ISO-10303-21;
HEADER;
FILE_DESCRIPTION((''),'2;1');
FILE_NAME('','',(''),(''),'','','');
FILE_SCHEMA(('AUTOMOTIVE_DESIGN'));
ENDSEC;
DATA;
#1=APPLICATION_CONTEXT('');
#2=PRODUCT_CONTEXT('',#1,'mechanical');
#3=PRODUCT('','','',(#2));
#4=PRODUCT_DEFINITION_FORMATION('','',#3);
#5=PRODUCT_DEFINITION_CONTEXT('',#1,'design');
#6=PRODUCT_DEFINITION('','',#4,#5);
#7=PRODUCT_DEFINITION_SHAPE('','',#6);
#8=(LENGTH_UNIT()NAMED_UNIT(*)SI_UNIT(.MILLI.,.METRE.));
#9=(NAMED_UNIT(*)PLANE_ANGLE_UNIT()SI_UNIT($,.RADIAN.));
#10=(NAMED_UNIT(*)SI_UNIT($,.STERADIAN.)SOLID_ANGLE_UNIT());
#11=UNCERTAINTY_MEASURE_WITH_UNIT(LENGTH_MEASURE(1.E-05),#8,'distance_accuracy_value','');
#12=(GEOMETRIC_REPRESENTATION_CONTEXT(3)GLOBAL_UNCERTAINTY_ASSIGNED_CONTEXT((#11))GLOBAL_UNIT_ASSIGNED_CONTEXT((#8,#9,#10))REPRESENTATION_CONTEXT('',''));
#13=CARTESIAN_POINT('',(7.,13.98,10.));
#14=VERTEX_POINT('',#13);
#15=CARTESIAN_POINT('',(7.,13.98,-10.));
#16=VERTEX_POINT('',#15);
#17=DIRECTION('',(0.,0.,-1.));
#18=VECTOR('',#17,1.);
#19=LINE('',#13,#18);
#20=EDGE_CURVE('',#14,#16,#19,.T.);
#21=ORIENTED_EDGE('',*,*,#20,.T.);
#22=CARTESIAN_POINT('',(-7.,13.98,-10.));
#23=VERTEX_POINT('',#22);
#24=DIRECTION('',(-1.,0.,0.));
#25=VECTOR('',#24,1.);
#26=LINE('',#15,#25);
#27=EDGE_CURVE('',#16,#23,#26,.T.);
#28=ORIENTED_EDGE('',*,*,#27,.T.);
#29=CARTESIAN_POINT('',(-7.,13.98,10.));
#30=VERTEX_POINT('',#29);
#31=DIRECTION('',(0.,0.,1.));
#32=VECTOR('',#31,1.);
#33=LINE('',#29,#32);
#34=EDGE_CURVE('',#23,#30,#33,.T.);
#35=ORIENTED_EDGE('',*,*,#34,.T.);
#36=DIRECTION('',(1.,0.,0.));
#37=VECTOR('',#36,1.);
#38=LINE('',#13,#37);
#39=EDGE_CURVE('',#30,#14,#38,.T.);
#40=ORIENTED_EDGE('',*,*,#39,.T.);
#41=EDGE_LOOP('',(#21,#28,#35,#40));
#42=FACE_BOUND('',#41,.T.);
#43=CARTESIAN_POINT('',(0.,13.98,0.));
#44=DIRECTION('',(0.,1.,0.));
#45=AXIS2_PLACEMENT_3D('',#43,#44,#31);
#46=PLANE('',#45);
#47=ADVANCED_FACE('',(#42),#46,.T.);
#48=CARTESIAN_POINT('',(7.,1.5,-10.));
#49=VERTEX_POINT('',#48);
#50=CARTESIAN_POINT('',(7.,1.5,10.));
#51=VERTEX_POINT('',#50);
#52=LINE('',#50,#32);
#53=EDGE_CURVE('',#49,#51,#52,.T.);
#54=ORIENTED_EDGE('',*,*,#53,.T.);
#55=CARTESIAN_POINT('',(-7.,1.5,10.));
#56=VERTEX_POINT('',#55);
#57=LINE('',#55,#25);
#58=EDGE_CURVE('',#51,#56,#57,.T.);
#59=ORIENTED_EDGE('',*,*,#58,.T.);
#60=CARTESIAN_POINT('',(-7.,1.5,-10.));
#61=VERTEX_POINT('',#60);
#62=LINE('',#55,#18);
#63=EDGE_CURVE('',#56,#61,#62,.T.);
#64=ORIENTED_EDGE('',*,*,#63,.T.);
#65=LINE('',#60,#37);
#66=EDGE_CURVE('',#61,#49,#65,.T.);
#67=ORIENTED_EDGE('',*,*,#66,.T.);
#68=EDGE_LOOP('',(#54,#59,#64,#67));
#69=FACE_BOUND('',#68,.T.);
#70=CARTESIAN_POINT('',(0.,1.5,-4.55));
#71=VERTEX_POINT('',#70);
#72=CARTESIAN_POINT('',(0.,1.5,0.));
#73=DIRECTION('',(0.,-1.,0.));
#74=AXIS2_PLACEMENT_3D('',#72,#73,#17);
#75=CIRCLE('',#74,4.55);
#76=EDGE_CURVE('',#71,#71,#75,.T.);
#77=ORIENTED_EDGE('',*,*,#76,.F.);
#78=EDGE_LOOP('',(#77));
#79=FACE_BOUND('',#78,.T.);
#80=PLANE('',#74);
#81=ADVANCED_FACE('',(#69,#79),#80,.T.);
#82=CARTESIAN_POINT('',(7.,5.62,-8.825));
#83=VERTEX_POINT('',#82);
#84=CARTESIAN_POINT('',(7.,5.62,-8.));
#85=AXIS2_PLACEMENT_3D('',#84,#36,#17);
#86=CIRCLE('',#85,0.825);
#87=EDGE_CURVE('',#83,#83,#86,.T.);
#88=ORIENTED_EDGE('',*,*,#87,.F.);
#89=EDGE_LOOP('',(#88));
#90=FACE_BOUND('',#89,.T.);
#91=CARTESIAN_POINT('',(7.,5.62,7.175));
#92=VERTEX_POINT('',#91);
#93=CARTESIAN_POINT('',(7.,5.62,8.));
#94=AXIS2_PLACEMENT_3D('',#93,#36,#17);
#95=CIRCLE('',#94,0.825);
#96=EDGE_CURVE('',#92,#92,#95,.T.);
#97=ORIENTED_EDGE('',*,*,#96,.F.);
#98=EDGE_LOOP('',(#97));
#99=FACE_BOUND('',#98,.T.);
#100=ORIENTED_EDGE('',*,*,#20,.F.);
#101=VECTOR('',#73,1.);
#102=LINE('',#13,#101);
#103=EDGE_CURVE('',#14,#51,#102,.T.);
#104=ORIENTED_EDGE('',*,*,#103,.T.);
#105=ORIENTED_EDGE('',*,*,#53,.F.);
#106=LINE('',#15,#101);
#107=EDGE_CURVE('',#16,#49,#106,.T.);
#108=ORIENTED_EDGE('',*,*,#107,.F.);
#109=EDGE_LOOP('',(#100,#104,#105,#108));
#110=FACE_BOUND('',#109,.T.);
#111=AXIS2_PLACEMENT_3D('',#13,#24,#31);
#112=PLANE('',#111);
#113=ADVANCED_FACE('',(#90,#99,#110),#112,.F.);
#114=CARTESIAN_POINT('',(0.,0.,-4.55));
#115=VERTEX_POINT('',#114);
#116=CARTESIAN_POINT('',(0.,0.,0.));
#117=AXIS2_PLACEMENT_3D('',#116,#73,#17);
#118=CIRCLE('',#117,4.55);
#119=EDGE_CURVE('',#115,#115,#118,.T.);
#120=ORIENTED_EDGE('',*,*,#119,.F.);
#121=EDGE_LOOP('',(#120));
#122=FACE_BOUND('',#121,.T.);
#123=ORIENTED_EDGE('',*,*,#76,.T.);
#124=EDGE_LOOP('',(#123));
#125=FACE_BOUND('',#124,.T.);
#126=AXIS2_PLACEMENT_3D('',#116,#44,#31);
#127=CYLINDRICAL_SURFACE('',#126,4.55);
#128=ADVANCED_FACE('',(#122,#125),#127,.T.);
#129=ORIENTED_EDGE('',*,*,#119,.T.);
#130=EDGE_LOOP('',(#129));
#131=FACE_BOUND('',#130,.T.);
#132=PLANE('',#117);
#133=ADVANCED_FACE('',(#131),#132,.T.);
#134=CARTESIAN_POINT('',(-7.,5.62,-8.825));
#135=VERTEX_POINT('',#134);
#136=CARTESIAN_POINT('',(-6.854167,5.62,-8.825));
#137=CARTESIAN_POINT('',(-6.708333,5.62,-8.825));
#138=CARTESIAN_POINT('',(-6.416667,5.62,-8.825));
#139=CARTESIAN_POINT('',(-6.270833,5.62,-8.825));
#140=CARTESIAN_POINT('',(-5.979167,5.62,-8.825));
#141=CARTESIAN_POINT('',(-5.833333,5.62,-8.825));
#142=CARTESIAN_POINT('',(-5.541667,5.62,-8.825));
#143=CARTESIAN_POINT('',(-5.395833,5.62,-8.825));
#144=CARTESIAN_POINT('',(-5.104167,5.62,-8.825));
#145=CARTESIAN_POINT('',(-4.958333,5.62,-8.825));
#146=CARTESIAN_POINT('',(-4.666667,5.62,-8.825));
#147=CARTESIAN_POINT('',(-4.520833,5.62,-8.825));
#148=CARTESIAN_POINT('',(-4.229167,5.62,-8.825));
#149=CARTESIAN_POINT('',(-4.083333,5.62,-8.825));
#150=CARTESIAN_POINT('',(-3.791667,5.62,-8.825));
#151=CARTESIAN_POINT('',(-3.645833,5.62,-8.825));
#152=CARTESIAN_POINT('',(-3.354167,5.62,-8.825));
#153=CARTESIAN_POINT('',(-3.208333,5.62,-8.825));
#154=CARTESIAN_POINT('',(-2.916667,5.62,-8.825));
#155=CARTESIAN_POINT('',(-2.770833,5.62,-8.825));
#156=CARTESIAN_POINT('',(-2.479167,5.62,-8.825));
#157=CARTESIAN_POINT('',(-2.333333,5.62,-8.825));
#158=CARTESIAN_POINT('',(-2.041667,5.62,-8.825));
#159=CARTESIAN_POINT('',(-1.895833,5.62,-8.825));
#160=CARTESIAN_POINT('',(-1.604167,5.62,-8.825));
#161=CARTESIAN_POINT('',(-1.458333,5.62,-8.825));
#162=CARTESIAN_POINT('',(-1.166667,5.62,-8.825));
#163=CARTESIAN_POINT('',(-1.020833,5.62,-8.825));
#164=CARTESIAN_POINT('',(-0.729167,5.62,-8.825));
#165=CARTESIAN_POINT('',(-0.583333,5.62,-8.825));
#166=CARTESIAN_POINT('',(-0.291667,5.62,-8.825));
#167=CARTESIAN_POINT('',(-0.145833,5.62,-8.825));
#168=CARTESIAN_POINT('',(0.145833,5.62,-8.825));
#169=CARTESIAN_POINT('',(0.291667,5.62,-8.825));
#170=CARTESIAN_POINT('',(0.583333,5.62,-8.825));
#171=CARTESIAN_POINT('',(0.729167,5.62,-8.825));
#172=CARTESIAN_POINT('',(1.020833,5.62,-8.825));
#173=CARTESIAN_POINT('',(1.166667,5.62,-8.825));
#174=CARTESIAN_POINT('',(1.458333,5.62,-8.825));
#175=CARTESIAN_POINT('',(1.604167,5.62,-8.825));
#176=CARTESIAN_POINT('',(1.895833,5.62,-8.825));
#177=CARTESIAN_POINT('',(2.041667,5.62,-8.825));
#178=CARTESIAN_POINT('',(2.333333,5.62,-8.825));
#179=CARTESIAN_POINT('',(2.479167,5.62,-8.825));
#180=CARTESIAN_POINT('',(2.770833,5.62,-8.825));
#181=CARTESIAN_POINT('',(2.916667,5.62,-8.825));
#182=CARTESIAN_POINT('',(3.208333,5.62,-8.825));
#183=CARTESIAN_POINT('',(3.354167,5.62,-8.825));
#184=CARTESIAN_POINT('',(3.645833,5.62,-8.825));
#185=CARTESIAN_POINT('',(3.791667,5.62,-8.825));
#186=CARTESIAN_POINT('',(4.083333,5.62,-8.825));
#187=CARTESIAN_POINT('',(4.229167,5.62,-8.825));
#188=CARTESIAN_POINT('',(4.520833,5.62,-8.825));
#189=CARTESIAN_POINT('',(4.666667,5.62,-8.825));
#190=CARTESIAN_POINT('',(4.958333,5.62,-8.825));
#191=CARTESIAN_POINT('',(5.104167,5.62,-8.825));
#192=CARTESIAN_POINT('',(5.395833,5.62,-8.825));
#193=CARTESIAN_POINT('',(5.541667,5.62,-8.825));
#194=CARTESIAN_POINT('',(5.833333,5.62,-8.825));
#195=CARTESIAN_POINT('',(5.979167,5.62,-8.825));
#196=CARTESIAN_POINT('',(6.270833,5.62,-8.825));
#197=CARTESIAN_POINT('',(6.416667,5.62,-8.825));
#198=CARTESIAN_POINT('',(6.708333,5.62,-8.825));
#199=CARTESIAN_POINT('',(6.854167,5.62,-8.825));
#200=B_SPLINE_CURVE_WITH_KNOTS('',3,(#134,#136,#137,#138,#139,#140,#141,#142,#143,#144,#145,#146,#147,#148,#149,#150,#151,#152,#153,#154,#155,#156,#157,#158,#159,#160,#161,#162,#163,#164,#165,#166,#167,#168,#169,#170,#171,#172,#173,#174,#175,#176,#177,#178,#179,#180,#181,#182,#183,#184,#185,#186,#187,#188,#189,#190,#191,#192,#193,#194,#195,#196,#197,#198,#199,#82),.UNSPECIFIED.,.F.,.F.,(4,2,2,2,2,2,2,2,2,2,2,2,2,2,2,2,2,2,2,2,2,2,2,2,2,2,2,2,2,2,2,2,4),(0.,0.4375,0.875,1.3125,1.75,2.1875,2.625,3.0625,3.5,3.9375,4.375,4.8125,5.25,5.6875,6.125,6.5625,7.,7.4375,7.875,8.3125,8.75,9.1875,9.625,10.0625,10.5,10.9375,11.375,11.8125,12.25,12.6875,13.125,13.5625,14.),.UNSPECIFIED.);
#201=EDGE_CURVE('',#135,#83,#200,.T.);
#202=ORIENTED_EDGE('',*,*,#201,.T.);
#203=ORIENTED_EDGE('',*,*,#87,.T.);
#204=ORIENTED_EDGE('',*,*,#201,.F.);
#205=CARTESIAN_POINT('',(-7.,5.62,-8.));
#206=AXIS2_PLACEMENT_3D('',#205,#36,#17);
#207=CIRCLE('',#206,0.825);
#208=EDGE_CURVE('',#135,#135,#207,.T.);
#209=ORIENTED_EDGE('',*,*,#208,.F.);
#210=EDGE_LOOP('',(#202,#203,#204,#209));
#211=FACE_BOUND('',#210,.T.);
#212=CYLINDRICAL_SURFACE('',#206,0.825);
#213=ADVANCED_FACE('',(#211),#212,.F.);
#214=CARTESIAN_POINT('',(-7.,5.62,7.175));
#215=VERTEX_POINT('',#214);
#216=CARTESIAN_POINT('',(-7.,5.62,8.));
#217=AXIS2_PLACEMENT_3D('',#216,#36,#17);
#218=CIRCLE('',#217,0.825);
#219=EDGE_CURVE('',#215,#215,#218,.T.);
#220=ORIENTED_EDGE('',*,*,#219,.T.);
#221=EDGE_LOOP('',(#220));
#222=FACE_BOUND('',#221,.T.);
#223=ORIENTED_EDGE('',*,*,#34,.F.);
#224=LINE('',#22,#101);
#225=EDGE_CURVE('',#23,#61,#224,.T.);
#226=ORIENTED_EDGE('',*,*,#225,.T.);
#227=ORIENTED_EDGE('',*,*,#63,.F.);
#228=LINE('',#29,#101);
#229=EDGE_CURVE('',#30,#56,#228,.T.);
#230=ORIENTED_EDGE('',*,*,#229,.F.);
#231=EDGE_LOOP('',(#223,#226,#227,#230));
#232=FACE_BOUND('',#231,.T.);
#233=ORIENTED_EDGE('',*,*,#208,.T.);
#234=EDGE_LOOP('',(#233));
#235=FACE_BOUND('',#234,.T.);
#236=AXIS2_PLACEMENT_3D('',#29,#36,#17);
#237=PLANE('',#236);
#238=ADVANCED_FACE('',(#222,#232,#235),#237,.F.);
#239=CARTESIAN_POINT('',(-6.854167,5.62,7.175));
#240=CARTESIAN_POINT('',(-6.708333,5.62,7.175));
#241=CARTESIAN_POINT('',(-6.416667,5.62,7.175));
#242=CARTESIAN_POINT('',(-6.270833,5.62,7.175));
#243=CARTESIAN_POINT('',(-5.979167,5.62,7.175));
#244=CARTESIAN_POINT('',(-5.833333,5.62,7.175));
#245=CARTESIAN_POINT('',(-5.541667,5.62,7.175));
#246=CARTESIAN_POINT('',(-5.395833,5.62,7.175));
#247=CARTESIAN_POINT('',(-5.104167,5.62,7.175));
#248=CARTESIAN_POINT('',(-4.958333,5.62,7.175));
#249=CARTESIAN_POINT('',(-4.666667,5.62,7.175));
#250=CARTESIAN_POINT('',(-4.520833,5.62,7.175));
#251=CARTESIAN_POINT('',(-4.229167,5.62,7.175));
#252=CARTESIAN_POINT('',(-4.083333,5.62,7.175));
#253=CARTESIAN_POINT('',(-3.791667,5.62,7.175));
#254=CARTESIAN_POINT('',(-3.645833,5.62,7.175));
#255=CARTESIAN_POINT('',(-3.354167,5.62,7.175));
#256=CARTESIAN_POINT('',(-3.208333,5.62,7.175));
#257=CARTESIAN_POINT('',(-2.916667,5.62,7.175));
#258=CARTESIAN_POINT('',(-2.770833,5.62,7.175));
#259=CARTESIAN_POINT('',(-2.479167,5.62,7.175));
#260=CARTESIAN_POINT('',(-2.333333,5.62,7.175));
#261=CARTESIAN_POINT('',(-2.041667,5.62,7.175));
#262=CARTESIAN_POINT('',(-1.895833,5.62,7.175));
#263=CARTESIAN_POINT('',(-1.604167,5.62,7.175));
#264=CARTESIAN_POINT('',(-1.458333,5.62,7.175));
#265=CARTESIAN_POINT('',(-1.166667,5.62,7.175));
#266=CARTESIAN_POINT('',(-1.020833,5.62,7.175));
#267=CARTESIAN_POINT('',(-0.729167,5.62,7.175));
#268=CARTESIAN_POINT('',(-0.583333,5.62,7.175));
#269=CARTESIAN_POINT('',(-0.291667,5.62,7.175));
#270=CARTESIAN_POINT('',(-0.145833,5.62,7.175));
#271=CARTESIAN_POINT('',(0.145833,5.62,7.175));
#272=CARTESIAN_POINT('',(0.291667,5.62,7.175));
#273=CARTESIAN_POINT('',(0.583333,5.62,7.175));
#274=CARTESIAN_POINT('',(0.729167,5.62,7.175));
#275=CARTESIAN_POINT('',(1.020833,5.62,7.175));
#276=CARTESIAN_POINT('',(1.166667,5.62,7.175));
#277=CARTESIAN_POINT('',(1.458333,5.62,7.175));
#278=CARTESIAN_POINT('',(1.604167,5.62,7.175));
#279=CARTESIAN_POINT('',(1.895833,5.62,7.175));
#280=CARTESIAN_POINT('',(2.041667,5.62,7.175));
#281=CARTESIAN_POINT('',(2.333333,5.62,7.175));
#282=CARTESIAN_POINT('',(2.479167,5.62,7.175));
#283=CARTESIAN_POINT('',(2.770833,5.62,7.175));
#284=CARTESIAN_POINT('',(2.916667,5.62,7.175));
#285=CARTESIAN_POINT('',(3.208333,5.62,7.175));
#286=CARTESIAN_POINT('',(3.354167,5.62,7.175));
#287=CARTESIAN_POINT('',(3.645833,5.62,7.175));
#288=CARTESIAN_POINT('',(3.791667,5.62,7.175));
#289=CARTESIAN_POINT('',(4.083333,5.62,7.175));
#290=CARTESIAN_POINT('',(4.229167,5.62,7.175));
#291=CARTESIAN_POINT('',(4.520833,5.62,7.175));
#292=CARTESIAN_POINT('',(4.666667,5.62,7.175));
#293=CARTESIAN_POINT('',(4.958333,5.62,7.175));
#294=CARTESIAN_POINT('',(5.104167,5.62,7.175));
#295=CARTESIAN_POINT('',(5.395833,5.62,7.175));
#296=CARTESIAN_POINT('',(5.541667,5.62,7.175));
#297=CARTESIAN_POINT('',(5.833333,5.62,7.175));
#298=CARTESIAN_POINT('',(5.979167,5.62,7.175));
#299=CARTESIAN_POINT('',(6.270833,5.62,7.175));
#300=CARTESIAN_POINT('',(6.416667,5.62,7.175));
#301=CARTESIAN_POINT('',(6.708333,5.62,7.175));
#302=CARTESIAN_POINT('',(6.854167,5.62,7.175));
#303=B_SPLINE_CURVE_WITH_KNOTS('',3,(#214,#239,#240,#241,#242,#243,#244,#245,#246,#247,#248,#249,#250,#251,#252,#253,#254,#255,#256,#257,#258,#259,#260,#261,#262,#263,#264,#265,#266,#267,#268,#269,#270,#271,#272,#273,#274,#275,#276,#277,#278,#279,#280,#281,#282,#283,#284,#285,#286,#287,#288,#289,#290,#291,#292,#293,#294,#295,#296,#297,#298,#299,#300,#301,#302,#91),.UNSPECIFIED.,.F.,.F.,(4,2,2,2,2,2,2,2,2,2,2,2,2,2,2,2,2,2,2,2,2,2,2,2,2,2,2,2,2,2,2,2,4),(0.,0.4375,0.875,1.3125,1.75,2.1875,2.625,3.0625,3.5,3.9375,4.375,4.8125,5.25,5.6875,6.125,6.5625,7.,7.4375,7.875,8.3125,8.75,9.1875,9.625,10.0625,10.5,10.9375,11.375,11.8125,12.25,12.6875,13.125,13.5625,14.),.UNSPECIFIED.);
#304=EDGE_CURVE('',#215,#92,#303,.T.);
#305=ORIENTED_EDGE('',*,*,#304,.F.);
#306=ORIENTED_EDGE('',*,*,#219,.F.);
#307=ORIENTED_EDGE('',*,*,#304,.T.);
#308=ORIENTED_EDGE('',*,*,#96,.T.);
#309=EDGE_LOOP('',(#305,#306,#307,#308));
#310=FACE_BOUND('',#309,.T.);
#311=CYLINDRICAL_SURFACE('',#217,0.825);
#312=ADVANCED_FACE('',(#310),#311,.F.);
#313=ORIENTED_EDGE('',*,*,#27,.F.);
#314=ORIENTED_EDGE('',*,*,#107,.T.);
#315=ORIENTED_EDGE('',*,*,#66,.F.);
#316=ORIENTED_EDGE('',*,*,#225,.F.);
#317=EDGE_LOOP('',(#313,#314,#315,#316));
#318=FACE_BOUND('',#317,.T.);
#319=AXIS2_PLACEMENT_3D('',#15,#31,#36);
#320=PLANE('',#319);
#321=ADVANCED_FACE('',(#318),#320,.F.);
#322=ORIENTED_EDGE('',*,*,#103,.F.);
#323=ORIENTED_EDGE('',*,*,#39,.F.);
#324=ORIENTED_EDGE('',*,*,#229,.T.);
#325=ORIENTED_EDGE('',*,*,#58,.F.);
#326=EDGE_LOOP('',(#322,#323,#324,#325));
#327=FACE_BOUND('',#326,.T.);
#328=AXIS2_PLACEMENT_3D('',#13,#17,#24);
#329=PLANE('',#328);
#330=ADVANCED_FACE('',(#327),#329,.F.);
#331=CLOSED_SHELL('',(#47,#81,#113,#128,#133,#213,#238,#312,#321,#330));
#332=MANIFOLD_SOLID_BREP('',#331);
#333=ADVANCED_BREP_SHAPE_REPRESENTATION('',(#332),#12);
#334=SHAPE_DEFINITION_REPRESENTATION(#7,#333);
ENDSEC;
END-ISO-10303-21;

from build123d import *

# Parameters (mm, degrees)
SKETCH1_W           = 14
SKETCH1_H           = 20
BOSS_EXTRUDE1_DEPTH = 13.98
SKETCH2_R           = 0.825
CUT_EXTRUDE1_DEPTH  = 23.168455066
SKETCH6_W           = 14
SKETCH6_H           = 20
CUT_EXTRUDE2_DEPTH  = 1.5
SKETCH7_R           = 4.55
BOSS_EXTRUDE2_DEPTH = 1.5


with BuildPart() as part:
    # Sketch1 → Boss-Extrude1 (new body)
    with BuildSketch(Plane(origin=(0, 0, 0), x_dir=(1, 0, 0), z_dir=(0, 1, 0))):
        Rectangle(SKETCH1_W, SKETCH1_H)
    extrude(amount=BOSS_EXTRUDE1_DEPTH)

    # Sketch2 → Cut-Extrude1 (cut, through all)
    with BuildSketch(Plane(origin=(7, 0, 0), x_dir=(0, 0, -1), z_dir=(1, 0, 0))):
        with Locations((8, 5.62)):
            Circle(SKETCH2_R)
        with Locations((-8, 5.62)):
            Circle(SKETCH2_R)
    extrude(amount=-CUT_EXTRUDE1_DEPTH, mode=Mode.SUBTRACT)

    # Sketch6 → Cut-Extrude2 (cut)
    with BuildSketch(Plane.XZ):
        Rectangle(SKETCH6_W, SKETCH6_H)
    extrude(amount=-CUT_EXTRUDE2_DEPTH, mode=Mode.SUBTRACT)

    # Sketch7 → Boss-Extrude2 (add)
    with BuildSketch(Plane.XZ.offset(-1.5)):
        with Locations(Location((0, 0, 0), (0, 0, 270))):
            Circle(SKETCH7_R)
    extrude(amount=BOSS_EXTRUDE2_DEPTH)


solid = part.part
